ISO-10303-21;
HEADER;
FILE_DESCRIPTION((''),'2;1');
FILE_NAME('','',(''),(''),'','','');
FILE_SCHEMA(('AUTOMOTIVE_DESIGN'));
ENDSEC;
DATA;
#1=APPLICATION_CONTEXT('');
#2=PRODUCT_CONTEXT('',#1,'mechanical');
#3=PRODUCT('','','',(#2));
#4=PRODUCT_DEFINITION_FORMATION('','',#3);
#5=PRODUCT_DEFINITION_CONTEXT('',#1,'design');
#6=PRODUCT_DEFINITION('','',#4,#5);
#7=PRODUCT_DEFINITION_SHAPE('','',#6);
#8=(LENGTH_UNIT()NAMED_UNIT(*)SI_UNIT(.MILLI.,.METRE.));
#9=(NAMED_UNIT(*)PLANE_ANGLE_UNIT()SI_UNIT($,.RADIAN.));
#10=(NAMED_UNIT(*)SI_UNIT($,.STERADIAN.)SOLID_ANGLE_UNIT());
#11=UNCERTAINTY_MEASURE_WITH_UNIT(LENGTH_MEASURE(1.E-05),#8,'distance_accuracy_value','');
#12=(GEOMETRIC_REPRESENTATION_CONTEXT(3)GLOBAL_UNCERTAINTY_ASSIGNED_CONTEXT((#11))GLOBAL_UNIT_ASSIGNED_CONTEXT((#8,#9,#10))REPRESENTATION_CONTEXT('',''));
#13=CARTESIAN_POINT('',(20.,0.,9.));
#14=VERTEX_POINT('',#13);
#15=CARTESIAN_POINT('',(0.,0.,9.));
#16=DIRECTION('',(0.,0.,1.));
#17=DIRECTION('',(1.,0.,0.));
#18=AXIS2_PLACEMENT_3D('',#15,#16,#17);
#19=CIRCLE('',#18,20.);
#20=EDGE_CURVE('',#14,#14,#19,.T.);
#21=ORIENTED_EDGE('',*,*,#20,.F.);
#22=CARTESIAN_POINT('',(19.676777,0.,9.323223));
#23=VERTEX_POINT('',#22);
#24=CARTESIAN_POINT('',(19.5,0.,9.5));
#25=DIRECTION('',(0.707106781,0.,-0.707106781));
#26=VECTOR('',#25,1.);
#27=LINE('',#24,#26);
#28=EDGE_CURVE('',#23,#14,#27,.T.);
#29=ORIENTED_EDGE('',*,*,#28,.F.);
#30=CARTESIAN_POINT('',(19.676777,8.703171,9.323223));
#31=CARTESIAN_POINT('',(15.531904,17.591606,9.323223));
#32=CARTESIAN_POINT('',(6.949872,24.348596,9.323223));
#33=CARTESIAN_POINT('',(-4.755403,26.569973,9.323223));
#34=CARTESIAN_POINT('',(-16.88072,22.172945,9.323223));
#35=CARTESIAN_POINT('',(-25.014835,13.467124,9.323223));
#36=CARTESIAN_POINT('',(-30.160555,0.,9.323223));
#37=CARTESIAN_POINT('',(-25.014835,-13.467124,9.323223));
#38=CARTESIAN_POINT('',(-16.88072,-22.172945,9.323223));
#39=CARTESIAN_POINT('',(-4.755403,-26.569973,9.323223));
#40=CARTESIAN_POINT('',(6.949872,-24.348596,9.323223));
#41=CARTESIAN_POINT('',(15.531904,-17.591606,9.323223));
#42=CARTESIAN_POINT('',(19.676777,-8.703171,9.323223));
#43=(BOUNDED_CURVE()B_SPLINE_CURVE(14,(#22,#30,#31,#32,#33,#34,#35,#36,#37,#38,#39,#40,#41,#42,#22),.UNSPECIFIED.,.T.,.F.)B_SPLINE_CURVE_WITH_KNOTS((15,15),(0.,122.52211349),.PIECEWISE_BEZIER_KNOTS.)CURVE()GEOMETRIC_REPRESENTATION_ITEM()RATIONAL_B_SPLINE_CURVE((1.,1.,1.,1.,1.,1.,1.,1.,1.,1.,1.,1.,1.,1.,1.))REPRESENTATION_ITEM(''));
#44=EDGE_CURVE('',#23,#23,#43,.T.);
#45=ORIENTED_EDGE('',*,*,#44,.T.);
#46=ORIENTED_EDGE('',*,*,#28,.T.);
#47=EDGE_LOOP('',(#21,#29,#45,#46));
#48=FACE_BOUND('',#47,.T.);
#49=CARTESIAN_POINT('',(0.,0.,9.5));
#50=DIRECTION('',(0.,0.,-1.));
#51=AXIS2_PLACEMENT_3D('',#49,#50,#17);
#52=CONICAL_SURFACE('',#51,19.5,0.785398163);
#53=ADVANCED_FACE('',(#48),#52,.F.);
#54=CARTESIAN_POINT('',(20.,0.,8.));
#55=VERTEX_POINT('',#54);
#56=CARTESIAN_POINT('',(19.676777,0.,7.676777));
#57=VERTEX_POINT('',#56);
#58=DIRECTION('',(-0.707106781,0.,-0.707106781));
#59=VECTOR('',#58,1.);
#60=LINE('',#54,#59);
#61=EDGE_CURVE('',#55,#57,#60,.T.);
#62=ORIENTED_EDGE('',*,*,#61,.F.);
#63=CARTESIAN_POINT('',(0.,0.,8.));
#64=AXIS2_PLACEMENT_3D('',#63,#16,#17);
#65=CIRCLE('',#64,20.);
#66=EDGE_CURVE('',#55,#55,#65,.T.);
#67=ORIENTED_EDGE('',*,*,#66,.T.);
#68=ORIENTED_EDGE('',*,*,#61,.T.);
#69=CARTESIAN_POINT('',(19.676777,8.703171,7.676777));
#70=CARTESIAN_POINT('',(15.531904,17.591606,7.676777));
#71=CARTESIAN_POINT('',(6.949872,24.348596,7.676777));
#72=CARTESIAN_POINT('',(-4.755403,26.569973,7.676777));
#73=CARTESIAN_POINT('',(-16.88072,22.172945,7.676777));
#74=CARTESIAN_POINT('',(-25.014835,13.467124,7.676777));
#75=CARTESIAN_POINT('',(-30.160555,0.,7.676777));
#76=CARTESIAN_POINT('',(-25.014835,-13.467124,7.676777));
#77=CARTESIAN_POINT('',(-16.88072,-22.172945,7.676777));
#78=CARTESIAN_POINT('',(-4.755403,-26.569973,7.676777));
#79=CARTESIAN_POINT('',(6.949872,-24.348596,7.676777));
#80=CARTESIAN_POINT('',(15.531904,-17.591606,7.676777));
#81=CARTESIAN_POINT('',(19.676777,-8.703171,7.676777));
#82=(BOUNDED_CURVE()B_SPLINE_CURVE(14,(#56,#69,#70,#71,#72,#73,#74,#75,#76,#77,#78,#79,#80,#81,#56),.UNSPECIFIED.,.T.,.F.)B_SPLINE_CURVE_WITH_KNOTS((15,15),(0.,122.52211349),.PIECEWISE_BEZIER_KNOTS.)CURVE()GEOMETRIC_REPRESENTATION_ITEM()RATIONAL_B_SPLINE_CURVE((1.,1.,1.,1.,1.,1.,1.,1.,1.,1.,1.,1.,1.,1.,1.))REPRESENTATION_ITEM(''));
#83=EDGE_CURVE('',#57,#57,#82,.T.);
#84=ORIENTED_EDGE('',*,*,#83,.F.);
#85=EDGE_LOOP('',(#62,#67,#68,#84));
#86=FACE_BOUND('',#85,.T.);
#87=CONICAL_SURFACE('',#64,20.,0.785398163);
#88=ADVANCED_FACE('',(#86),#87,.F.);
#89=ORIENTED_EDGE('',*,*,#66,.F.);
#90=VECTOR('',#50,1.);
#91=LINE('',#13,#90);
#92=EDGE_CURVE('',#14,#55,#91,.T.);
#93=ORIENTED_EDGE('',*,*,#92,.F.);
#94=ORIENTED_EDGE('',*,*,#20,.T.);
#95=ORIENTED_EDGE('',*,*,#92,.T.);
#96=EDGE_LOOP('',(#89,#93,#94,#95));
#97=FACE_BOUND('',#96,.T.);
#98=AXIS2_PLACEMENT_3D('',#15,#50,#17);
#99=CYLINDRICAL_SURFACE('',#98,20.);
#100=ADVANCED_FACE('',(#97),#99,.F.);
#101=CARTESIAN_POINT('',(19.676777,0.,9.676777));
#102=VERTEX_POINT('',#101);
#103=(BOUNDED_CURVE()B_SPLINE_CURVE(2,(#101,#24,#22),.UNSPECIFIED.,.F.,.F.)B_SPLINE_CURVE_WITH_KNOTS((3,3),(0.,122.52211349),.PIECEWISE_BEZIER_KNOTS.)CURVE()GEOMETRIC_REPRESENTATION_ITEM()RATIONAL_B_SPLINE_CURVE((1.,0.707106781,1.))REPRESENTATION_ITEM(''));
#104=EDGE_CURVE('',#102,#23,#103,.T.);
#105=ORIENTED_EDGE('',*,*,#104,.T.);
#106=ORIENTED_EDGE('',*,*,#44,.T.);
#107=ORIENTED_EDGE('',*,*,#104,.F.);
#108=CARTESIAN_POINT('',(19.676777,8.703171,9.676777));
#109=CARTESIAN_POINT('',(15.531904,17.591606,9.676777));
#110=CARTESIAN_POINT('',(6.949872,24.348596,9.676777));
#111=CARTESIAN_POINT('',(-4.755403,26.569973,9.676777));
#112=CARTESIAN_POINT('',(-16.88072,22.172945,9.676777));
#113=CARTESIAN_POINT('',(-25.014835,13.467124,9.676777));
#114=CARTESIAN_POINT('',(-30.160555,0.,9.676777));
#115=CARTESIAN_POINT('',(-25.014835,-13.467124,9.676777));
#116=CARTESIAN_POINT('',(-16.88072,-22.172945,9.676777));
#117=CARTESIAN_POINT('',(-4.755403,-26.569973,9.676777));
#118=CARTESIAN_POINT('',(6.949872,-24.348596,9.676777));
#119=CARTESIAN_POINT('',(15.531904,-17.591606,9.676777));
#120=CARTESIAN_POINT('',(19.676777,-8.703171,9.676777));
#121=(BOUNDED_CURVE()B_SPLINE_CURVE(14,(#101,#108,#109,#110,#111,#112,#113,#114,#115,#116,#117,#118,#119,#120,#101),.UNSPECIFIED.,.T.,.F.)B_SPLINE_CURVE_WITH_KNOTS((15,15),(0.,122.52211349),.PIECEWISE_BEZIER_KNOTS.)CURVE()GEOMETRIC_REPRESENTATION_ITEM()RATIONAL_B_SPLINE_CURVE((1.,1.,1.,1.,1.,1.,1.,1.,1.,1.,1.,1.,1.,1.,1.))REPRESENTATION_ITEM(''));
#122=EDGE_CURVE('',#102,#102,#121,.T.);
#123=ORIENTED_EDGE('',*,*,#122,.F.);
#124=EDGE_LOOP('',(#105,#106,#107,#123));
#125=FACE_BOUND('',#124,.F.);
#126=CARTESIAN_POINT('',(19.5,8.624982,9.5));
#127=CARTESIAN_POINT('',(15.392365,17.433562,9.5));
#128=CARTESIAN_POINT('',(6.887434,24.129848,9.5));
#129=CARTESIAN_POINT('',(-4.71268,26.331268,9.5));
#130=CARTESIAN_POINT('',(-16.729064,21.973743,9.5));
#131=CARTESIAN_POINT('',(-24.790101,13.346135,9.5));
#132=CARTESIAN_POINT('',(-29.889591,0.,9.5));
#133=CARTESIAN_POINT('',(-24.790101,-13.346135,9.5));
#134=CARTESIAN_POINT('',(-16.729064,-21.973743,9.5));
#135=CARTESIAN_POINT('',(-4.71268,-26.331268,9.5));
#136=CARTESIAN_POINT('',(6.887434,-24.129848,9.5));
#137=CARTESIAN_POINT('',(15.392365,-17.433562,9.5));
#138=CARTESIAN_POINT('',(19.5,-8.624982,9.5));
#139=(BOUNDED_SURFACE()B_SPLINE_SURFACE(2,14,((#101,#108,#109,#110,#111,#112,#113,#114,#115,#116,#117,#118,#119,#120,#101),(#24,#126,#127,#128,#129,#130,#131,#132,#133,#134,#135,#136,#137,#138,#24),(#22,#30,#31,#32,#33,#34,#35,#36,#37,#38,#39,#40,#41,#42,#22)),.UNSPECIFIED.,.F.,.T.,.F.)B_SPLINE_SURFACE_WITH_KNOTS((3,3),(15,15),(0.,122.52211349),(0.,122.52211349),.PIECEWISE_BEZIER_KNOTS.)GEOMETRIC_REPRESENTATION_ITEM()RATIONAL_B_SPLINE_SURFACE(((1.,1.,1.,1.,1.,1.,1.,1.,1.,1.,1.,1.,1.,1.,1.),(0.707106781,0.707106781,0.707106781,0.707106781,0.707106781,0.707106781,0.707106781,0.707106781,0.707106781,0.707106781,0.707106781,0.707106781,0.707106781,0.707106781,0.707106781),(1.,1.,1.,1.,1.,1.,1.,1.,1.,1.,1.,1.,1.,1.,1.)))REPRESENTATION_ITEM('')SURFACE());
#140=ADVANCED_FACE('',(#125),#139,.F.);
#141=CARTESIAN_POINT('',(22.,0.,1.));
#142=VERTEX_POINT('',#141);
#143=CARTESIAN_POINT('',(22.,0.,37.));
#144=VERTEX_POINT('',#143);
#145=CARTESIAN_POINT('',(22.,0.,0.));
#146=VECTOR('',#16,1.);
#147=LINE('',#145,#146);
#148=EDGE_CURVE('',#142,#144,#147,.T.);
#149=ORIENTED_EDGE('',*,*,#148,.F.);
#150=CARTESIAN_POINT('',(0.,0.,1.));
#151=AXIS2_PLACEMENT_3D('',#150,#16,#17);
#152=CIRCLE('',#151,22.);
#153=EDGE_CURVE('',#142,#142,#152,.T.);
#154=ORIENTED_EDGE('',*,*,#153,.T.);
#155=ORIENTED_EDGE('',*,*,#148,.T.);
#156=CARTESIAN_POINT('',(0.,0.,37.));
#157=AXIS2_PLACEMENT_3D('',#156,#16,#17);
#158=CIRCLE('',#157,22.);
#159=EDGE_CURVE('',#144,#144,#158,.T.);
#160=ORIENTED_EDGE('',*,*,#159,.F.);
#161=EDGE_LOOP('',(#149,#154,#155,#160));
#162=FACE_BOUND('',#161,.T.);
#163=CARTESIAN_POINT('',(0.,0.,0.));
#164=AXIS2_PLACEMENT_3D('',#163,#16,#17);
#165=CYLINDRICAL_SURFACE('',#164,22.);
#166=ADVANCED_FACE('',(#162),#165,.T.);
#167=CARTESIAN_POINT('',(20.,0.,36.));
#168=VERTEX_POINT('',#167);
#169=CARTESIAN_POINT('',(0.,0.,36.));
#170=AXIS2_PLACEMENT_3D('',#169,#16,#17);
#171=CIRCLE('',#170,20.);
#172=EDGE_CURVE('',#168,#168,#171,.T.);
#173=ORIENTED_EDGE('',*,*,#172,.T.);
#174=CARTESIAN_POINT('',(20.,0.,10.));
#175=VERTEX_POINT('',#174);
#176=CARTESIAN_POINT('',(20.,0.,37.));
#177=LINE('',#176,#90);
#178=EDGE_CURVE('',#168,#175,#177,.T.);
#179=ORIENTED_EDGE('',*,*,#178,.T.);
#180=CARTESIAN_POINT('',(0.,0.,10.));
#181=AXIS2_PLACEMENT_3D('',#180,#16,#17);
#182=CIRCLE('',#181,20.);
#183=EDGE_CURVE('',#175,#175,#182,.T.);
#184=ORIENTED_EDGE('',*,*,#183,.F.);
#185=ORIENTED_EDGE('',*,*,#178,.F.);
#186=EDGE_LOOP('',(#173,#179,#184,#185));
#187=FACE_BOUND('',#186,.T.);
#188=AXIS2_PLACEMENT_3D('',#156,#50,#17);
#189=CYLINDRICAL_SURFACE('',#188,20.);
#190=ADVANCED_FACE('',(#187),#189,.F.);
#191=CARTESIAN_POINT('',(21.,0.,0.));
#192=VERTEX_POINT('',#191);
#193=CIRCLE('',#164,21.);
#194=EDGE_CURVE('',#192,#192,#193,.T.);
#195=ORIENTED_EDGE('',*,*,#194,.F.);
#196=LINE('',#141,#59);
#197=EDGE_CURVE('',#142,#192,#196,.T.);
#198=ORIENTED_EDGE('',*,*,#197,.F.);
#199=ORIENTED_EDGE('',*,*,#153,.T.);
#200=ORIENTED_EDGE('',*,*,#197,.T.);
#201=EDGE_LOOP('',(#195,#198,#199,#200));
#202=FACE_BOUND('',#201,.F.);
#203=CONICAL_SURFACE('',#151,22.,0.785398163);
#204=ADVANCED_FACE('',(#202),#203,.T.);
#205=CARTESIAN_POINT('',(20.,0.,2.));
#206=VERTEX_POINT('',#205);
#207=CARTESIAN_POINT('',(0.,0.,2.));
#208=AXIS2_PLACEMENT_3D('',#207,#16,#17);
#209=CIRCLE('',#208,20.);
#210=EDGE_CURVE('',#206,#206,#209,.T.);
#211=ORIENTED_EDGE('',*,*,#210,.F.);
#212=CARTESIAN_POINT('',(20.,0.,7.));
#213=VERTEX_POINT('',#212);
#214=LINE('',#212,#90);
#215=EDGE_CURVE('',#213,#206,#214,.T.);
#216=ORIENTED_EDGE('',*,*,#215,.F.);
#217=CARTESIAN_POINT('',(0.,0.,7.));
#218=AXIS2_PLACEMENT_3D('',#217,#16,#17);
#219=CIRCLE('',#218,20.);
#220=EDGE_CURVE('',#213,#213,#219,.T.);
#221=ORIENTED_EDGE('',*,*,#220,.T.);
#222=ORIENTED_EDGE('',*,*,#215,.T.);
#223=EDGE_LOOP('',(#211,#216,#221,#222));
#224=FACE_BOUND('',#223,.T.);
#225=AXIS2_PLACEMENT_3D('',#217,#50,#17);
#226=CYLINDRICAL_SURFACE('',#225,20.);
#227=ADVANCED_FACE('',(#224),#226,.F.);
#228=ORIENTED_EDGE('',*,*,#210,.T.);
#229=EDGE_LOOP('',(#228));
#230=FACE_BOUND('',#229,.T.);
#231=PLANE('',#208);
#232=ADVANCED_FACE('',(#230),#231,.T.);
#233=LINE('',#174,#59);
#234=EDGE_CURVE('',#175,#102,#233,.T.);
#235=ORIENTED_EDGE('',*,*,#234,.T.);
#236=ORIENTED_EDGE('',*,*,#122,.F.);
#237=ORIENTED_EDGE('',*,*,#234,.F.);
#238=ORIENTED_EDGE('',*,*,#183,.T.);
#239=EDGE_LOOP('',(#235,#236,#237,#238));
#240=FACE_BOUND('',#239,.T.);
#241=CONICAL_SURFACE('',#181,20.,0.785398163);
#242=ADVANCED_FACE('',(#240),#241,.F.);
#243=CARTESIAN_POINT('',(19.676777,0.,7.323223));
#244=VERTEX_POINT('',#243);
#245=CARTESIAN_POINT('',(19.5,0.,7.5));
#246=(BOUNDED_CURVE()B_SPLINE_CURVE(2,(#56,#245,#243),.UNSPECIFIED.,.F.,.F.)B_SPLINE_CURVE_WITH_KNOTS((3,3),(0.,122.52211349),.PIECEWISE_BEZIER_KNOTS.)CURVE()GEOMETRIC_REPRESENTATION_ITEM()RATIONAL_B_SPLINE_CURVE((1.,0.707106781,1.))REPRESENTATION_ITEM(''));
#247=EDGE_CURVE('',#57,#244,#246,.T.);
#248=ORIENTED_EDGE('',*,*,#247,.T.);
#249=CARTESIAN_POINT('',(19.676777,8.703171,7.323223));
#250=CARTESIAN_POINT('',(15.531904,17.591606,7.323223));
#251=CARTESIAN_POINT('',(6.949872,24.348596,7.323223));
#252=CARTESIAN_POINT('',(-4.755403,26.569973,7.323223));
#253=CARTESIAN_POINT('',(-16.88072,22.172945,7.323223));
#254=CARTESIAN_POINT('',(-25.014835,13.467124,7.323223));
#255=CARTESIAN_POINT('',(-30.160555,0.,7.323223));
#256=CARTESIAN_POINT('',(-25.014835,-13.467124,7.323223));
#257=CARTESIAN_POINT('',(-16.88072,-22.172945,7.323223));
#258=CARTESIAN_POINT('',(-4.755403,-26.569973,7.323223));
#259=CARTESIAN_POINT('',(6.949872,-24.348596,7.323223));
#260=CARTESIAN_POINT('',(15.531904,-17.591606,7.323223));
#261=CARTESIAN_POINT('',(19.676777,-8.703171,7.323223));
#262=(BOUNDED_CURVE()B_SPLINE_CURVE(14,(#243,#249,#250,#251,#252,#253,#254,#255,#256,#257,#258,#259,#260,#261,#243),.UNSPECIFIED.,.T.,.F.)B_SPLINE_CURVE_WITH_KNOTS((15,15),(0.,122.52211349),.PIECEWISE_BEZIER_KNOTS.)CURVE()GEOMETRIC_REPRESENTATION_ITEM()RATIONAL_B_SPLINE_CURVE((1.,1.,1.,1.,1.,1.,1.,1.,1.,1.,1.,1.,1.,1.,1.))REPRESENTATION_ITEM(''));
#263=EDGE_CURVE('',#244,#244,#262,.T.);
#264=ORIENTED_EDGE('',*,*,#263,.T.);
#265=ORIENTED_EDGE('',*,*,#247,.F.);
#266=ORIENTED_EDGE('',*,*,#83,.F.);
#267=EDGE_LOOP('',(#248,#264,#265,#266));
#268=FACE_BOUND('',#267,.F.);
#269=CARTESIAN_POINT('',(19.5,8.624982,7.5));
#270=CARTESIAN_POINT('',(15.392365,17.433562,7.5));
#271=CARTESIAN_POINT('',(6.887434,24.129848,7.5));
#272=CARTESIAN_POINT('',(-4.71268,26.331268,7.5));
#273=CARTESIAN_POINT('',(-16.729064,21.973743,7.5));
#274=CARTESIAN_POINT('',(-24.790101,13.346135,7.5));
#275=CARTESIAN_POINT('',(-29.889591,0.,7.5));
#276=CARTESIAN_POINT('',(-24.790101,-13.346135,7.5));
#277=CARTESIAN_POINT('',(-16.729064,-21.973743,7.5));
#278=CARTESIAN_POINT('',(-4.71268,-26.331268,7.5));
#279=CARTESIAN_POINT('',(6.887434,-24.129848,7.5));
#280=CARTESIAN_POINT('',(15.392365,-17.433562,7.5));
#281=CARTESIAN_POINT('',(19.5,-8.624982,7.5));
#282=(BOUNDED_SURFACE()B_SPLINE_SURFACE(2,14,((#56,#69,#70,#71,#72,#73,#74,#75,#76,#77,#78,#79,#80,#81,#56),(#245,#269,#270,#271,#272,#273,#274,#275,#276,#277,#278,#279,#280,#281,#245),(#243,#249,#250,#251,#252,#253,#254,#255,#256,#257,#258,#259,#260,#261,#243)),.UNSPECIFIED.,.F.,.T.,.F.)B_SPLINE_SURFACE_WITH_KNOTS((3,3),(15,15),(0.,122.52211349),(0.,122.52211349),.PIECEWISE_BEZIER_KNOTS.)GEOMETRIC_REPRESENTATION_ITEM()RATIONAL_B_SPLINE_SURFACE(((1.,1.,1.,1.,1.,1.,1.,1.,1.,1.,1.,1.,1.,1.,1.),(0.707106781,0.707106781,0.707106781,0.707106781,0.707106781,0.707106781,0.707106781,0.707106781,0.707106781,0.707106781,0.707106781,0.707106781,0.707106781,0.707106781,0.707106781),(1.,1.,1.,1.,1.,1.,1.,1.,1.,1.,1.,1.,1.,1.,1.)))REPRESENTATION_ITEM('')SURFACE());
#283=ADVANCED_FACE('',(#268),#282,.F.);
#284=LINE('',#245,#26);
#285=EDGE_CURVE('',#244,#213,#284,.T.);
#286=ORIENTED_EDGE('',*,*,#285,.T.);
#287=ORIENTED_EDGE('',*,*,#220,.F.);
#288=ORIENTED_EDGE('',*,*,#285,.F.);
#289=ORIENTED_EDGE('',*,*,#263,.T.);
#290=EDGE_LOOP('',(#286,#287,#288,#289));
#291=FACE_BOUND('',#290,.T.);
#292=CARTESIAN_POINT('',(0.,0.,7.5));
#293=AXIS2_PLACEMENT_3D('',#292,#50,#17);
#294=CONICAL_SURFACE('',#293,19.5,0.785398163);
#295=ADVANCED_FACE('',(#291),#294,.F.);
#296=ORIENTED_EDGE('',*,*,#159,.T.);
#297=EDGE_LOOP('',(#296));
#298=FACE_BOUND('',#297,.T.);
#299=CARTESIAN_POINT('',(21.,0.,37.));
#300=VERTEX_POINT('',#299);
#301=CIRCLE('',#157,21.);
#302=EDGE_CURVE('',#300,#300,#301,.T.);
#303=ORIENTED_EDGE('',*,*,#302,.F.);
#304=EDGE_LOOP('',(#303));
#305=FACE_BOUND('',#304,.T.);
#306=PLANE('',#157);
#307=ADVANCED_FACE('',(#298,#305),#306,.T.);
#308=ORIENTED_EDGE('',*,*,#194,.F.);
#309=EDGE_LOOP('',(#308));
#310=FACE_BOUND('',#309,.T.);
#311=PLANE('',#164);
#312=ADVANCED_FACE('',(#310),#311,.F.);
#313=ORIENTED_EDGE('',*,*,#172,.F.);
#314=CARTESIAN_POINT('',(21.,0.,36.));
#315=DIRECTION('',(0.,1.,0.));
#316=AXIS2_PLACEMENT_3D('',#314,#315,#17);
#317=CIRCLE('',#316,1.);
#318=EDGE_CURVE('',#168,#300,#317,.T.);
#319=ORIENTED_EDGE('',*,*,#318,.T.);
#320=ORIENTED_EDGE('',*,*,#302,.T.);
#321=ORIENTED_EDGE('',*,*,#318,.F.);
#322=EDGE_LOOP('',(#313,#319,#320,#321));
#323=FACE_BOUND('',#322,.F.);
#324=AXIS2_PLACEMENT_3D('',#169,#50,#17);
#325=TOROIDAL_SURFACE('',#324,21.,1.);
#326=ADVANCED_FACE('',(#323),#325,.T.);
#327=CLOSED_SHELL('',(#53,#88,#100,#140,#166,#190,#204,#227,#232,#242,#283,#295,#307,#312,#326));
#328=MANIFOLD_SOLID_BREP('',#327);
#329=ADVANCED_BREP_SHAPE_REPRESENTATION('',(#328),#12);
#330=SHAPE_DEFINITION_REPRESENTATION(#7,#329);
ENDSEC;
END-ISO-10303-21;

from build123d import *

# Parameters (mm, degrees)
FILLET_R     = 0.25
FILLET001_R  = 1
CHAMFER_SIZE = 1


with BuildPart() as part:
    # Sketch → Revolution (revolve)
    with BuildSketch(Plane.XZ):
        Polygon((22, 0), (22, 37), (20, 37), (20, 10), (19.5, 9.5), (20, 9), (20, 8), (19.5, 7.5), (20, 7), (20, 2), (0, 2), (0, 0), align=None)
    revolve(axis=Axis((0, 0, 0), (0, 0, 1)))

    # Fillet
    fillet_edges = [part.edges().sort_by_distance(p)[0] for p in [
        (-19.5, 0, 7.5),
        (-19.5, 0, 9.5),
    ]]
    fillet(fillet_edges, radius=FILLET_R)

    # Fillet001
    fillet001_edges = [part.edges().sort_by_distance(p)[0] for p in [
        (-20, 0, 37),
    ]]
    fillet(fillet001_edges, radius=FILLET001_R)

    # Chamfer
    chamfer_edges = [part.edges().sort_by_distance(p)[0] for p in [
        (-22, 0, 0),
    ]]
    chamfer(chamfer_edges, length=CHAMFER_SIZE)


solid = part.part
